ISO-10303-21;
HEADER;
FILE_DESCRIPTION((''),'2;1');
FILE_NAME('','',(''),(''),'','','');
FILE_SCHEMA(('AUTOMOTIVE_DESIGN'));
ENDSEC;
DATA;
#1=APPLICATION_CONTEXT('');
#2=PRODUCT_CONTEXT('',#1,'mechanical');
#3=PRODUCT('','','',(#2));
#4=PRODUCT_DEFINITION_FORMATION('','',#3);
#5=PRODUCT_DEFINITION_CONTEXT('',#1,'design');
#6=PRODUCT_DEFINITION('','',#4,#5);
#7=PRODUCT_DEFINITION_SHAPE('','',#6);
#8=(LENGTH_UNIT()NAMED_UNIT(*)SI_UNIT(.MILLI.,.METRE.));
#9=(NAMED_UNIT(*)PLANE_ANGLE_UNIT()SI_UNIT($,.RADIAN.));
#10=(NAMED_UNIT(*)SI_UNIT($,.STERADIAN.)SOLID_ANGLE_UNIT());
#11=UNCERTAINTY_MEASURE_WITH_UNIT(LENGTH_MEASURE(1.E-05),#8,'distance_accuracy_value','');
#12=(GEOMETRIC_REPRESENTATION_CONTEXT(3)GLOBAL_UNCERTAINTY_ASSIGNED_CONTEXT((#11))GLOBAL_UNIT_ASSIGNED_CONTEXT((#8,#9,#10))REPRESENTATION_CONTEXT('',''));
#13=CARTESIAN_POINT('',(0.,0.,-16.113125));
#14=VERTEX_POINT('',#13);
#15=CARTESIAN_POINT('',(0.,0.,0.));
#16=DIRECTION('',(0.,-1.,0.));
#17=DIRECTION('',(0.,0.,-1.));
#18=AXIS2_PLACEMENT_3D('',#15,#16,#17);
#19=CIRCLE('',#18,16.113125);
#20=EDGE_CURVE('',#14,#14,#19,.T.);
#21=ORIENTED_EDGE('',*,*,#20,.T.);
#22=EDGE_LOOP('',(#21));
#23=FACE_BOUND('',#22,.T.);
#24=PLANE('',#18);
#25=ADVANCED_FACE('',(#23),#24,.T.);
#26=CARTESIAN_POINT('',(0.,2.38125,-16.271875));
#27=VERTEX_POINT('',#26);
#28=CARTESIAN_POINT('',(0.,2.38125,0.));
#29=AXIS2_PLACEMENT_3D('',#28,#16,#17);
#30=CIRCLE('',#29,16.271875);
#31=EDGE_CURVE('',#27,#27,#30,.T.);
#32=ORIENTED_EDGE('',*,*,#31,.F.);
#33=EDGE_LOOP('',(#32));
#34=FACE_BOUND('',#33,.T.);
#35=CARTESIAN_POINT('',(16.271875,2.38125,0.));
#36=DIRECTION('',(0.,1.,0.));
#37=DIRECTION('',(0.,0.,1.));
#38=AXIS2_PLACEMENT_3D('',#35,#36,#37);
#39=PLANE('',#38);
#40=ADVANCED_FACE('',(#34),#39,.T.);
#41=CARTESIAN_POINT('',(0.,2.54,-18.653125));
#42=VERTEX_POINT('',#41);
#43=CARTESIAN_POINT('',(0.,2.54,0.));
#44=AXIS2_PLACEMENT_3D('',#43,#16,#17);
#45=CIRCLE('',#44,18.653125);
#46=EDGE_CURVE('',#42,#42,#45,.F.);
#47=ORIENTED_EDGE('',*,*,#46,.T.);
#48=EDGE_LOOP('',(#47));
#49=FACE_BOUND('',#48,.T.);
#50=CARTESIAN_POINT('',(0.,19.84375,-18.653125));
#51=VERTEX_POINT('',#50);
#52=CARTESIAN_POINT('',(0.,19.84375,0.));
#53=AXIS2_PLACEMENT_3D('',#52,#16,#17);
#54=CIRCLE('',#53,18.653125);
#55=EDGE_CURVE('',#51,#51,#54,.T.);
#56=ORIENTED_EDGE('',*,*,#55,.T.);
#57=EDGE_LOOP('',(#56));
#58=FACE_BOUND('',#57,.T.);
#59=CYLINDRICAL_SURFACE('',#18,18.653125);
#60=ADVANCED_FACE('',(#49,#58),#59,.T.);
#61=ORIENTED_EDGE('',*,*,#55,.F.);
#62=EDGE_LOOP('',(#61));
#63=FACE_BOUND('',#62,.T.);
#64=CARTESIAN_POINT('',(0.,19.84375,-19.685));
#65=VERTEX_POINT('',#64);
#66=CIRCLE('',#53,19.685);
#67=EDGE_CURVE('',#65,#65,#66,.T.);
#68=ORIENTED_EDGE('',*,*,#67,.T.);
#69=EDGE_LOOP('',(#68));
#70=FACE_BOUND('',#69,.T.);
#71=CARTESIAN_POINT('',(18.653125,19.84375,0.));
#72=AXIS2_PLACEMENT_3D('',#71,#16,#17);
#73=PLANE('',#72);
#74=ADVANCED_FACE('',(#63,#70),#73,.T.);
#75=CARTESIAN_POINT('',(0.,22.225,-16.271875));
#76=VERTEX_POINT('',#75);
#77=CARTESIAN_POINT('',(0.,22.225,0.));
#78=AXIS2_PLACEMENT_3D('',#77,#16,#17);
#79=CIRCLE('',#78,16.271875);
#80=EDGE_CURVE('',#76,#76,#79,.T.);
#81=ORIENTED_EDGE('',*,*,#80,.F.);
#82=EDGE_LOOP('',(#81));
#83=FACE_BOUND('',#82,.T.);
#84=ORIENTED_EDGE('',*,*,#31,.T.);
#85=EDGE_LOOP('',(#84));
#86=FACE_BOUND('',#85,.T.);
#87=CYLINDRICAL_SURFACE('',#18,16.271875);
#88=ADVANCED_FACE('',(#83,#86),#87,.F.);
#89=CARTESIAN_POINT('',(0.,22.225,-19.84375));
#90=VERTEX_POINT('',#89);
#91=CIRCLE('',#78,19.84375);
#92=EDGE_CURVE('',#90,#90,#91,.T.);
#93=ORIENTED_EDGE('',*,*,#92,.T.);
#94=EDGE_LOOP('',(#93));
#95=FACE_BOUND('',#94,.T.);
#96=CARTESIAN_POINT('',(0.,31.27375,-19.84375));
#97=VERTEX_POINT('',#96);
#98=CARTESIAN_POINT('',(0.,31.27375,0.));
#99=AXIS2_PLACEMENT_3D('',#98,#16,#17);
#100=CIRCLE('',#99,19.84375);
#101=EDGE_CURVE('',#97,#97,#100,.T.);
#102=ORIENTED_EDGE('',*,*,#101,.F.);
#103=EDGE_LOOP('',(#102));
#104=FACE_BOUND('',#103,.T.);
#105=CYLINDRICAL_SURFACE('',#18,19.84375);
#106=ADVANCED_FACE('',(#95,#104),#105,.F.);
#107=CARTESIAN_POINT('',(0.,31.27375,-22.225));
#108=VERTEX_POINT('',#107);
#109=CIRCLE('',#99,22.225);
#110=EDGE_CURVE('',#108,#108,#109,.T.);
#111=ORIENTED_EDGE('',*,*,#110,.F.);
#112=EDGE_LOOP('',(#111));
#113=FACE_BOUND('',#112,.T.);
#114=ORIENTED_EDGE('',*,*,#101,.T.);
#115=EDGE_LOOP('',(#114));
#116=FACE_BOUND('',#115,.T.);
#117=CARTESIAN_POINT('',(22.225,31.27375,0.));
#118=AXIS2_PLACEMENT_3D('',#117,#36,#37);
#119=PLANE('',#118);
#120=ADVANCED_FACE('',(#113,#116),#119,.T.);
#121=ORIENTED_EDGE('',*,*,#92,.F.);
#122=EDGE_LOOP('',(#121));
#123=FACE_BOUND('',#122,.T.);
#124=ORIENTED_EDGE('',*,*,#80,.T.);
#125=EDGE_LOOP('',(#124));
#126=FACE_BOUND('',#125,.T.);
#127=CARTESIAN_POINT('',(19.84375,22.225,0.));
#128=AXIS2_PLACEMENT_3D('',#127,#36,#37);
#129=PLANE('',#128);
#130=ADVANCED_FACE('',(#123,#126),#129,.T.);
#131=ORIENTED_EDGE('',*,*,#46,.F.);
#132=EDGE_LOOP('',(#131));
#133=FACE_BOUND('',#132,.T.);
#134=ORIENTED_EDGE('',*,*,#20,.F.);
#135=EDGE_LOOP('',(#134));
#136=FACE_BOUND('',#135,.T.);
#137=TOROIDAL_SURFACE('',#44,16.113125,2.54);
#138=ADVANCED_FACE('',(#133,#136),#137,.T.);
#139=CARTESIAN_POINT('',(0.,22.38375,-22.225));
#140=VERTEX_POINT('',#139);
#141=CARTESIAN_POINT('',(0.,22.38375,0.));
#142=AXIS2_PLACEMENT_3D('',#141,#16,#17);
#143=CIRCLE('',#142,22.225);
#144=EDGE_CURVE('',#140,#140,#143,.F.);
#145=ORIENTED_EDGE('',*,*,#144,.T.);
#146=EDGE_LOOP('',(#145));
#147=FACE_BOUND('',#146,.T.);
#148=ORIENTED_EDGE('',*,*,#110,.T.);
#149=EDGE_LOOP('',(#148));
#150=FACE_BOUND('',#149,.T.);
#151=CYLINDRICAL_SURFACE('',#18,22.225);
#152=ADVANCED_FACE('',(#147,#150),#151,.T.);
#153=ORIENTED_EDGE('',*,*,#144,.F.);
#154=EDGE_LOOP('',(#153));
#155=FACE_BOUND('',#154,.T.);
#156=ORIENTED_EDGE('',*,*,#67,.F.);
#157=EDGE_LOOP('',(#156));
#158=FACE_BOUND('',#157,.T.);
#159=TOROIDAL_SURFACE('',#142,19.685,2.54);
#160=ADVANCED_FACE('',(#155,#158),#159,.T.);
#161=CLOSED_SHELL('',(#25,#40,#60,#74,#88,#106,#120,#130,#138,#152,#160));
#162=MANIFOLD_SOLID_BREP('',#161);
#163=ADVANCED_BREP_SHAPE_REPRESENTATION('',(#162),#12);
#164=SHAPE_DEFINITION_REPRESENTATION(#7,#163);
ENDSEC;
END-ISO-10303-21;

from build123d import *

# Parameters (mm, degrees)
FILLET1_R = 2.54


with BuildPart() as part:
    # Sketch2 → Revolve1 (revolve)
    with BuildSketch(Plane.XY):
        Polygon((0, 0), (18.653125, 0), (18.653125, 19.84375), (22.225, 19.84375), (22.225, 31.27375), (19.84375, 31.27375), (19.84375, 22.225), (16.271875, 22.225), (16.271875, 2.38125), (0, 2.38125), align=None)
    revolve(axis=Axis((0, 0, 0), (0, 1, 0)))

    # Fillet1
    fillet1_edges = [part.edges().sort_by_distance(p)[0] for p in [
        (-18.653125, 0, 0),
        (-22.225, 19.84375, 0),
    ]]
    fillet(fillet1_edges, radius=FILLET1_R)


solid = part.part
